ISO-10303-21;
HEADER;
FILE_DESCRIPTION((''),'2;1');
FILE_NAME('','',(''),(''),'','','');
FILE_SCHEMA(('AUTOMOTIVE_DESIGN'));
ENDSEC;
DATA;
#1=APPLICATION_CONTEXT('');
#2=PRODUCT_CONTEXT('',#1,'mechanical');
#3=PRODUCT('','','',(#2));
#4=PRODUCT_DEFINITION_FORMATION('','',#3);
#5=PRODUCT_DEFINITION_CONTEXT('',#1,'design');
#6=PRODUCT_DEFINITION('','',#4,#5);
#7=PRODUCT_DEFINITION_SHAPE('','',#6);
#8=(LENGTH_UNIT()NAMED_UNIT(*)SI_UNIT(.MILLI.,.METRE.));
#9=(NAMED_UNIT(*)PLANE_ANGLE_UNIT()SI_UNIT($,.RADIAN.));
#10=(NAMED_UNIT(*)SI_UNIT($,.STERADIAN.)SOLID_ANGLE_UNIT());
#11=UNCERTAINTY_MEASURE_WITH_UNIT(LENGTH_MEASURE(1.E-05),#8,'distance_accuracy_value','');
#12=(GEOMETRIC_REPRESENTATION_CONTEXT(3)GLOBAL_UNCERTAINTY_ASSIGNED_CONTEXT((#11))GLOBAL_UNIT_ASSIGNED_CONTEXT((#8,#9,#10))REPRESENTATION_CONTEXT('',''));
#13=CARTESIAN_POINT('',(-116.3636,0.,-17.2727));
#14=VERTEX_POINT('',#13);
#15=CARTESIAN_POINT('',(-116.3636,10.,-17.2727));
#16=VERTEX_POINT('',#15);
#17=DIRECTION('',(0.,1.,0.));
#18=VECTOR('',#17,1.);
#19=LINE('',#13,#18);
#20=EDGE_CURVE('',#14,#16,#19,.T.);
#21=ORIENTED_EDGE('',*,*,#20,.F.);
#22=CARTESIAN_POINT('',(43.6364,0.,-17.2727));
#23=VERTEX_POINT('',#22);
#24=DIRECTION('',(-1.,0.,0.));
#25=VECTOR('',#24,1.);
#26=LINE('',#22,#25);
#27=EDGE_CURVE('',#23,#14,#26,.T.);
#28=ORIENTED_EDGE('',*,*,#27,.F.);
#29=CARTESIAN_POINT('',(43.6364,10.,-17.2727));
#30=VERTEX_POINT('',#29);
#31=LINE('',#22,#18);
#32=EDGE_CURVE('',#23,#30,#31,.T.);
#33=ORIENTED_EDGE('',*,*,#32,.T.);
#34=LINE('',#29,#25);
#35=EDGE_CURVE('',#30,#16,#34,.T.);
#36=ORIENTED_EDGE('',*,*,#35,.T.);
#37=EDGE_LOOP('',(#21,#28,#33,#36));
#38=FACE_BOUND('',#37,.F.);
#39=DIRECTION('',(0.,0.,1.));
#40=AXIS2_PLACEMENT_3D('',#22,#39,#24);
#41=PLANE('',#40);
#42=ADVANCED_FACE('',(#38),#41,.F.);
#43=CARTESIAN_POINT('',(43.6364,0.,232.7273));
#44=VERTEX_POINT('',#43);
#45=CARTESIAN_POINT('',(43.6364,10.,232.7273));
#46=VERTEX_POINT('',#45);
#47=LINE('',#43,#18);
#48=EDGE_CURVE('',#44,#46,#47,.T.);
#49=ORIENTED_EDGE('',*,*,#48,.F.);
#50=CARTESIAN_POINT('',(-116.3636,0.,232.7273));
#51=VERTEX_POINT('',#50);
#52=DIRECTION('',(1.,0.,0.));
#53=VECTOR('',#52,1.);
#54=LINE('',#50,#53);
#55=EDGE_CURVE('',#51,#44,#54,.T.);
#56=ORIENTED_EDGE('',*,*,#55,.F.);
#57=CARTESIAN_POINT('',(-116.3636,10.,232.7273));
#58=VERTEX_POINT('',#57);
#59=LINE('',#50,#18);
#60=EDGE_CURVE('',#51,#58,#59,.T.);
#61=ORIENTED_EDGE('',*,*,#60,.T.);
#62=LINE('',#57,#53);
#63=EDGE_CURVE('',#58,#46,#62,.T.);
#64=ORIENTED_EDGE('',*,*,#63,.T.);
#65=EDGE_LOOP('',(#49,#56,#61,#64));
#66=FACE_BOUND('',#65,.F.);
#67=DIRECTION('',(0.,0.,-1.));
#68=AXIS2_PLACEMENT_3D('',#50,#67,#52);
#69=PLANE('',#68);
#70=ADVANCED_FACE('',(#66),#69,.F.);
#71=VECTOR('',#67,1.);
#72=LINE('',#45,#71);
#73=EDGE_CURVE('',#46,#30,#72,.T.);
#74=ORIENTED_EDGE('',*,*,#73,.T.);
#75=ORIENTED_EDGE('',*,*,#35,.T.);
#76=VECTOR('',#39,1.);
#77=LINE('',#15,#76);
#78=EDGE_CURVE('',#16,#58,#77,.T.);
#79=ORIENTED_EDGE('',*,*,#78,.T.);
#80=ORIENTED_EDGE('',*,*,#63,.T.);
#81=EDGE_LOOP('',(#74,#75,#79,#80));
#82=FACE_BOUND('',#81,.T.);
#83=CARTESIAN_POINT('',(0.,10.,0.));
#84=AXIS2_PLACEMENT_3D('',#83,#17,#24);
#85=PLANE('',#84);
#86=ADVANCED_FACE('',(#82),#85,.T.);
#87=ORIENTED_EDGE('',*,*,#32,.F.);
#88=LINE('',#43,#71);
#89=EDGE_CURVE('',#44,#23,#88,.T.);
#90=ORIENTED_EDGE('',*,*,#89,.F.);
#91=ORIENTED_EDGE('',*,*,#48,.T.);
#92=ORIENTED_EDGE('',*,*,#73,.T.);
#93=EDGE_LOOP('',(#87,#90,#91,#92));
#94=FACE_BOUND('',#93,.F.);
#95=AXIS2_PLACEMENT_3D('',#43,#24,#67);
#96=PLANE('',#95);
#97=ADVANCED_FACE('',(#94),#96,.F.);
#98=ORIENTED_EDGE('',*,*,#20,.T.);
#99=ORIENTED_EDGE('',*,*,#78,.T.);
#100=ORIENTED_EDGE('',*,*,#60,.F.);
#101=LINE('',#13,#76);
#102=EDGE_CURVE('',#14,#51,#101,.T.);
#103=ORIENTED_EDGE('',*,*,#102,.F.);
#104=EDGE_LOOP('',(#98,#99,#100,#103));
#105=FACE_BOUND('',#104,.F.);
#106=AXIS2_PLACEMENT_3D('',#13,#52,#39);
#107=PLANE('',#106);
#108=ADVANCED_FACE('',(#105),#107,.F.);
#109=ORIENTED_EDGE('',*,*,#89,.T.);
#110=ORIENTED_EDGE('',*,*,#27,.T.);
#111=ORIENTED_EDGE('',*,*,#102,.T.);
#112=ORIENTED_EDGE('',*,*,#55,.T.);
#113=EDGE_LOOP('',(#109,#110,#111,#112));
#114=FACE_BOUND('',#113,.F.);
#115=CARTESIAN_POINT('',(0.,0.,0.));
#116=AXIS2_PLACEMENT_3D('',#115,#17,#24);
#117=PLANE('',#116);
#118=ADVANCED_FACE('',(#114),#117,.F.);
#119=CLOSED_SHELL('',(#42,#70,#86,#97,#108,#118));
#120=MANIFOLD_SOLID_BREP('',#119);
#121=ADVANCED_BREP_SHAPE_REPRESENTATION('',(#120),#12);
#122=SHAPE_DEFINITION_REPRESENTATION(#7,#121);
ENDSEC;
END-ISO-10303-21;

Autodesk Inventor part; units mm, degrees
ref_plane "YZ Plane" through (0, 0, 0) normal (1, 0, 0) x (0, 1, 0)
ref_plane "XZ Plane" through (0, 0, 0) normal (0, 1, 0) x (-1, 0, 0)
ref_plane "XY Plane" through (0, 0, 0) normal (0, 0, 1) x (1, 0, 0)
sketch "Sketch1" plane through (0, 0, 0) normal (0, 1, 0) x (-1, 0, 0)
  line L0 (116.3636, 232.7273) -> (-43.6364, 232.7273)
  line L1 (-43.6364, 232.7273) -> (-43.6364, -17.2727)
  line L2 (-43.6364, -17.2727) -> (116.3636, -17.2727)
  line L3 (116.3636, -17.2727) -> (116.3636, 232.7273)
  point P0 (0, 0)
  dimension "d0" = 160
  dimension "d1" = 250
extrude "Extrusion1" add sketch "Sketch1" along normal blind 10
properties part number "MotorNatazkaOsnova"
